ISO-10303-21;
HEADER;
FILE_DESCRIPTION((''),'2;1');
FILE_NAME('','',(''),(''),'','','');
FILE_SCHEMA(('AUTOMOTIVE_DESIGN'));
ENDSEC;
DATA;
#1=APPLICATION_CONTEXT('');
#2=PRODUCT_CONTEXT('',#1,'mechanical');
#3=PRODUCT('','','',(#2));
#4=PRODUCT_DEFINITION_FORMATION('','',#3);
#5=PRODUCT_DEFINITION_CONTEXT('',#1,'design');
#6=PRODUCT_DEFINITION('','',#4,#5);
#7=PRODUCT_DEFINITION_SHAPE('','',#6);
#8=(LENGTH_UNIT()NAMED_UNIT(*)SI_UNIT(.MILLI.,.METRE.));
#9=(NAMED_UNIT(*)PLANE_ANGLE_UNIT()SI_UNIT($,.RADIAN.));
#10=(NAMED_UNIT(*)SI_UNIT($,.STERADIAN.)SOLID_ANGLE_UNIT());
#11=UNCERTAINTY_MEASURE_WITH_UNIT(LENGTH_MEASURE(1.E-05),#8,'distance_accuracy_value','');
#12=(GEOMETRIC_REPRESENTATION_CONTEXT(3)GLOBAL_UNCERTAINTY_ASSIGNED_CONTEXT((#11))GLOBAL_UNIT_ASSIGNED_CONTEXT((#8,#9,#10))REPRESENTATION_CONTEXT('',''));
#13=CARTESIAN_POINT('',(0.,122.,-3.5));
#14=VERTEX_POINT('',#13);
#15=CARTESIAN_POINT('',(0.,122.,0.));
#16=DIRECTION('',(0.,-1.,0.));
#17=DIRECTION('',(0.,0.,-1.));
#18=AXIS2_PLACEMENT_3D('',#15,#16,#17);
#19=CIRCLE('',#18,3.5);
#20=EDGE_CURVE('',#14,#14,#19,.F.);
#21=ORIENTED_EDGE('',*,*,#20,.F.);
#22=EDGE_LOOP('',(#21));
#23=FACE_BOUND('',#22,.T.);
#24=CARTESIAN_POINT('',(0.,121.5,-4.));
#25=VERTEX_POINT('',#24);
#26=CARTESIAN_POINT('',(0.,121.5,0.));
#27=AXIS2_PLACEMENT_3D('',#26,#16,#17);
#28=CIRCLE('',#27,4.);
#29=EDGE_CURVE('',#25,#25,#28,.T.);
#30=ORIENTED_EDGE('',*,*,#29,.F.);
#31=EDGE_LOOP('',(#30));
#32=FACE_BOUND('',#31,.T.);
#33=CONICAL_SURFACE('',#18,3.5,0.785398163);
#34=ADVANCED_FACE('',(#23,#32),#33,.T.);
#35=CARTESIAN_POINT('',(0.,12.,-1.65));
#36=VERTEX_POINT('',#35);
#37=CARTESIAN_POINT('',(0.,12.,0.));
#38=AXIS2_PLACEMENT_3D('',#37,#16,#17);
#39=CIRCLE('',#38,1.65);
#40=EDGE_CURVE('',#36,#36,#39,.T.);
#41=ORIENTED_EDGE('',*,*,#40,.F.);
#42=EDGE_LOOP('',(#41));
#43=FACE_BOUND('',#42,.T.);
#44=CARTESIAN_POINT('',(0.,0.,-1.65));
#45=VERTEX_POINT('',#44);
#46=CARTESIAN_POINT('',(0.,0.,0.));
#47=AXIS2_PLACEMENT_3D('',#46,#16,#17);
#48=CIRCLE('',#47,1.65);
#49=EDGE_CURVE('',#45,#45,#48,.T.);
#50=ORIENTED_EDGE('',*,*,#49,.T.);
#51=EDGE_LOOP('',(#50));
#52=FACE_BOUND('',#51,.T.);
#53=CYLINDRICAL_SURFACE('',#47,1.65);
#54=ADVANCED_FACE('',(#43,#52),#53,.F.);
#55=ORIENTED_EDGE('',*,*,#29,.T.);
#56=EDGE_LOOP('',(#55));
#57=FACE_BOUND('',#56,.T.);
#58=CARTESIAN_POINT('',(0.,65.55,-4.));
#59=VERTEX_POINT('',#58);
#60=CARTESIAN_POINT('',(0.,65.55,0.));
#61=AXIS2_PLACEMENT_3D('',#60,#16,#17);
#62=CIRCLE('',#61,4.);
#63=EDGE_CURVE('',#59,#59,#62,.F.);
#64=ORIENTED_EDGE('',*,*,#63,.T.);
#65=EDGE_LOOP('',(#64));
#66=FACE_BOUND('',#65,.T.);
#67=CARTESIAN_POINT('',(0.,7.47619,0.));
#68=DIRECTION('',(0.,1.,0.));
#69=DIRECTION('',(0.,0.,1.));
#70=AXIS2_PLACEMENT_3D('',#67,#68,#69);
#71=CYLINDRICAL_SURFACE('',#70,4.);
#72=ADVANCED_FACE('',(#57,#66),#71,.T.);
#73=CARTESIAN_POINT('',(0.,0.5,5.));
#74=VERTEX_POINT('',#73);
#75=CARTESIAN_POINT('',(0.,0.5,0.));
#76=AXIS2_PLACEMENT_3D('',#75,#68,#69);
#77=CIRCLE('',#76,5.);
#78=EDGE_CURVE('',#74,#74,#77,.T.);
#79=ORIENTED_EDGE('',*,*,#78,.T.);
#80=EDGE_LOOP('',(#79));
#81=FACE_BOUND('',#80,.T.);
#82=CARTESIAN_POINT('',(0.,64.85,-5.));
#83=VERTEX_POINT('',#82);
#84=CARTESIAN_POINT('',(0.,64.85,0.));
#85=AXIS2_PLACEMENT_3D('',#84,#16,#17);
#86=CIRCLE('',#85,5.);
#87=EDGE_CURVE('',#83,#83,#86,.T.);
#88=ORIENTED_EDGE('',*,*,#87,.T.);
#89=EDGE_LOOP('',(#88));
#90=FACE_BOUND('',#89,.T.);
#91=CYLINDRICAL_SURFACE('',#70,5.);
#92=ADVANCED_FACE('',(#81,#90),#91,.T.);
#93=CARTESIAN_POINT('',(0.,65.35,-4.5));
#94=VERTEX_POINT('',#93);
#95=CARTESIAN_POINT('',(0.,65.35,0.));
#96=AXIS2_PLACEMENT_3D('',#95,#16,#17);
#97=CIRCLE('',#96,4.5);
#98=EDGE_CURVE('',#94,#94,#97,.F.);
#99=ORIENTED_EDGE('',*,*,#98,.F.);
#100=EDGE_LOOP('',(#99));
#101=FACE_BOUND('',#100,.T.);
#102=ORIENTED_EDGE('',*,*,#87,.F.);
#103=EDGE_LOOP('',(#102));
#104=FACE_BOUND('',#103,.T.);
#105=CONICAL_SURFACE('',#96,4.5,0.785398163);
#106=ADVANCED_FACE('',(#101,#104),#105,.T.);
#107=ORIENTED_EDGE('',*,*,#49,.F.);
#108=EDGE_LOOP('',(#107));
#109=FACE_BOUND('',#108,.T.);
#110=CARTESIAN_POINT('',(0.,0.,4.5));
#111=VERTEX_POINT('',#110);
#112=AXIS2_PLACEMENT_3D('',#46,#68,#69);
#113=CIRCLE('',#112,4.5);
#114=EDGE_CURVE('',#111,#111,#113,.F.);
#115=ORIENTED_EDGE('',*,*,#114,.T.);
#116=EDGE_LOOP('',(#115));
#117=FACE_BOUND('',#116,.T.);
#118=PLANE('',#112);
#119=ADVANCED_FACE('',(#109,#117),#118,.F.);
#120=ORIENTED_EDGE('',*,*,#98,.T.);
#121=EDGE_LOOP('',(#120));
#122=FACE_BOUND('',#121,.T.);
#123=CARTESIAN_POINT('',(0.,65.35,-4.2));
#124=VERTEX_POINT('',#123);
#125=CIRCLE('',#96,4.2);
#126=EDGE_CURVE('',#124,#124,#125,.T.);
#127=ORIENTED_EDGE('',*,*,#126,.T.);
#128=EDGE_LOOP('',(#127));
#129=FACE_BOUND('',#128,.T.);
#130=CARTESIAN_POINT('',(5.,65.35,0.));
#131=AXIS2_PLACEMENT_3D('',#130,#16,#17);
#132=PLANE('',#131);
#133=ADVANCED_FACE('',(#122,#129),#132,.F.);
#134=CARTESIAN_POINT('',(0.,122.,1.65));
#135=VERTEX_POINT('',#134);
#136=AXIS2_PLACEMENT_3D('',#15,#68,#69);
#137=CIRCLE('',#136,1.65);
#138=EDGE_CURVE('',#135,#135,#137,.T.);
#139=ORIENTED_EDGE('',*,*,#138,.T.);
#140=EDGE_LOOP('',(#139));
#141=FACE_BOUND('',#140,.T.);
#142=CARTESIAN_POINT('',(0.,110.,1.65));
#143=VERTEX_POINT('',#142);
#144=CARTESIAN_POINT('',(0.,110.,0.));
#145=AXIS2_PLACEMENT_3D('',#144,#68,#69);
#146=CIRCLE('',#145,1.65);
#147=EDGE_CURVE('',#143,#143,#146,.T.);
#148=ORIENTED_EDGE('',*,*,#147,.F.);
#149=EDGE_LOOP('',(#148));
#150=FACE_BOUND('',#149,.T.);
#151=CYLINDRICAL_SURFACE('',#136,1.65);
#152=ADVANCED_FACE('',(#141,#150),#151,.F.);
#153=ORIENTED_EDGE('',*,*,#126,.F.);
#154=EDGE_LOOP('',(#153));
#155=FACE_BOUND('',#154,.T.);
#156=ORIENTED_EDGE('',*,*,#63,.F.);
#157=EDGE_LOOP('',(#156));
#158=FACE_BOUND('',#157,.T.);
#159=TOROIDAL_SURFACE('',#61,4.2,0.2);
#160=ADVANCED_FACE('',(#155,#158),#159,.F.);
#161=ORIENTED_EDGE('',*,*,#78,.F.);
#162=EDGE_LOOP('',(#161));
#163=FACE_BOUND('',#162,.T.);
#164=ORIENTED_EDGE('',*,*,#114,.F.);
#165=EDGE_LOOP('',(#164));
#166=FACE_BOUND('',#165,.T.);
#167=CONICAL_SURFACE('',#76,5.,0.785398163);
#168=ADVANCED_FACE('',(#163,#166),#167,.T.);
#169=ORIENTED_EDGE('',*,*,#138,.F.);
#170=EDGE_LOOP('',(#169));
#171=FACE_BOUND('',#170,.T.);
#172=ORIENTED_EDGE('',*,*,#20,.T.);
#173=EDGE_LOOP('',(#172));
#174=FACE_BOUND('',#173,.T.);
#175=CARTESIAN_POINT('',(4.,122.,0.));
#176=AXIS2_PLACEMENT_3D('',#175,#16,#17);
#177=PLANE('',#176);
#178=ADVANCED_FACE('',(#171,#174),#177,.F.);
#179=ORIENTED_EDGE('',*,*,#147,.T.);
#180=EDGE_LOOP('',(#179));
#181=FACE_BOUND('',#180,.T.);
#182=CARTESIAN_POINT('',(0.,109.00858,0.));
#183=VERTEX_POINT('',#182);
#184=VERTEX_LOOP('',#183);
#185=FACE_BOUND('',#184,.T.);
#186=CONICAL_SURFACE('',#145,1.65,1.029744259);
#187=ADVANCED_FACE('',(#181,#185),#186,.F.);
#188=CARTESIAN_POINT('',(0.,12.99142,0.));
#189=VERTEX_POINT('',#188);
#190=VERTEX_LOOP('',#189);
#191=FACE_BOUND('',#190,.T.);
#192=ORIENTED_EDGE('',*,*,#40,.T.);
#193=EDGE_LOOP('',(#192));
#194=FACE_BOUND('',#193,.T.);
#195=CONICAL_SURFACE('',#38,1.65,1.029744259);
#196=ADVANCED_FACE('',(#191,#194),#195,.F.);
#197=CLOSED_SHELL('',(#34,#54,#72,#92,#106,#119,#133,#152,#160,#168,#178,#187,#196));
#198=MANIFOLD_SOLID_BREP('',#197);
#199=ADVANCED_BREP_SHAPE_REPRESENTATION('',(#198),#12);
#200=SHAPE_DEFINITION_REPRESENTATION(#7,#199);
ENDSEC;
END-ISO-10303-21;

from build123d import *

# Parameters (mm, degrees)
FILLET1_R     = 0.2
CHAMFER1_SIZE = 0.5


with BuildPart() as part:
    # Sketch1 → Revolve1 (revolve)
    with BuildSketch(Plane.XY, mode=Mode.PRIVATE) as revolve1_sk:
        Polygon((0, 0), (5, 0), (5, 65.35), (4, 65.35), (4, 122), (0, 122), align=None)
    revolve(revolve1_sk.sketch.rotate(Axis((0, 7.476190476, 0), (0, -1, 0)), 90), axis=Axis((0, 7.476190476, 0), (0, -1, 0)))

    # Sketch4 → M4 Tapped Hole1 (revolve, cut)
    with BuildSketch(Plane(origin=(0, 0, 0), x_dir=(0, 0, -1), z_dir=(1, 0, 0))):
        Polygon((0, 0), (0, 12.991420021), (1.65, 12), (1.65, 0), align=None)
    m4_tapped_hole1 = revolve(axis=Axis((0, -6.35, 0), (0, 1, 0)), mode=Mode.SUBTRACT)

    # Mirror1: M4 Tapped Hole1 across plane
    add(m4_tapped_hole1.mirror(Plane(origin=(0, 61, 0), x_dir=(0, 0, 1), z_dir=(0, -1, 0))), mode=Mode.SUBTRACT)

    # Fillet1
    fillet1_edges = [part.edges().sort_by_distance(p)[0] for p in [
        (0, 65.35, -4),
    ]]
    fillet(fillet1_edges, radius=FILLET1_R)

    # Chamfer1
    chamfer1_edges = [part.edges().sort_by_distance(p)[0] for p in [
        (0, 122, -4),
        (0, 65.35, -5),
        (0, 0, -5),
    ]]
    chamfer(chamfer1_edges, length=CHAMFER1_SIZE)


solid = part.part
